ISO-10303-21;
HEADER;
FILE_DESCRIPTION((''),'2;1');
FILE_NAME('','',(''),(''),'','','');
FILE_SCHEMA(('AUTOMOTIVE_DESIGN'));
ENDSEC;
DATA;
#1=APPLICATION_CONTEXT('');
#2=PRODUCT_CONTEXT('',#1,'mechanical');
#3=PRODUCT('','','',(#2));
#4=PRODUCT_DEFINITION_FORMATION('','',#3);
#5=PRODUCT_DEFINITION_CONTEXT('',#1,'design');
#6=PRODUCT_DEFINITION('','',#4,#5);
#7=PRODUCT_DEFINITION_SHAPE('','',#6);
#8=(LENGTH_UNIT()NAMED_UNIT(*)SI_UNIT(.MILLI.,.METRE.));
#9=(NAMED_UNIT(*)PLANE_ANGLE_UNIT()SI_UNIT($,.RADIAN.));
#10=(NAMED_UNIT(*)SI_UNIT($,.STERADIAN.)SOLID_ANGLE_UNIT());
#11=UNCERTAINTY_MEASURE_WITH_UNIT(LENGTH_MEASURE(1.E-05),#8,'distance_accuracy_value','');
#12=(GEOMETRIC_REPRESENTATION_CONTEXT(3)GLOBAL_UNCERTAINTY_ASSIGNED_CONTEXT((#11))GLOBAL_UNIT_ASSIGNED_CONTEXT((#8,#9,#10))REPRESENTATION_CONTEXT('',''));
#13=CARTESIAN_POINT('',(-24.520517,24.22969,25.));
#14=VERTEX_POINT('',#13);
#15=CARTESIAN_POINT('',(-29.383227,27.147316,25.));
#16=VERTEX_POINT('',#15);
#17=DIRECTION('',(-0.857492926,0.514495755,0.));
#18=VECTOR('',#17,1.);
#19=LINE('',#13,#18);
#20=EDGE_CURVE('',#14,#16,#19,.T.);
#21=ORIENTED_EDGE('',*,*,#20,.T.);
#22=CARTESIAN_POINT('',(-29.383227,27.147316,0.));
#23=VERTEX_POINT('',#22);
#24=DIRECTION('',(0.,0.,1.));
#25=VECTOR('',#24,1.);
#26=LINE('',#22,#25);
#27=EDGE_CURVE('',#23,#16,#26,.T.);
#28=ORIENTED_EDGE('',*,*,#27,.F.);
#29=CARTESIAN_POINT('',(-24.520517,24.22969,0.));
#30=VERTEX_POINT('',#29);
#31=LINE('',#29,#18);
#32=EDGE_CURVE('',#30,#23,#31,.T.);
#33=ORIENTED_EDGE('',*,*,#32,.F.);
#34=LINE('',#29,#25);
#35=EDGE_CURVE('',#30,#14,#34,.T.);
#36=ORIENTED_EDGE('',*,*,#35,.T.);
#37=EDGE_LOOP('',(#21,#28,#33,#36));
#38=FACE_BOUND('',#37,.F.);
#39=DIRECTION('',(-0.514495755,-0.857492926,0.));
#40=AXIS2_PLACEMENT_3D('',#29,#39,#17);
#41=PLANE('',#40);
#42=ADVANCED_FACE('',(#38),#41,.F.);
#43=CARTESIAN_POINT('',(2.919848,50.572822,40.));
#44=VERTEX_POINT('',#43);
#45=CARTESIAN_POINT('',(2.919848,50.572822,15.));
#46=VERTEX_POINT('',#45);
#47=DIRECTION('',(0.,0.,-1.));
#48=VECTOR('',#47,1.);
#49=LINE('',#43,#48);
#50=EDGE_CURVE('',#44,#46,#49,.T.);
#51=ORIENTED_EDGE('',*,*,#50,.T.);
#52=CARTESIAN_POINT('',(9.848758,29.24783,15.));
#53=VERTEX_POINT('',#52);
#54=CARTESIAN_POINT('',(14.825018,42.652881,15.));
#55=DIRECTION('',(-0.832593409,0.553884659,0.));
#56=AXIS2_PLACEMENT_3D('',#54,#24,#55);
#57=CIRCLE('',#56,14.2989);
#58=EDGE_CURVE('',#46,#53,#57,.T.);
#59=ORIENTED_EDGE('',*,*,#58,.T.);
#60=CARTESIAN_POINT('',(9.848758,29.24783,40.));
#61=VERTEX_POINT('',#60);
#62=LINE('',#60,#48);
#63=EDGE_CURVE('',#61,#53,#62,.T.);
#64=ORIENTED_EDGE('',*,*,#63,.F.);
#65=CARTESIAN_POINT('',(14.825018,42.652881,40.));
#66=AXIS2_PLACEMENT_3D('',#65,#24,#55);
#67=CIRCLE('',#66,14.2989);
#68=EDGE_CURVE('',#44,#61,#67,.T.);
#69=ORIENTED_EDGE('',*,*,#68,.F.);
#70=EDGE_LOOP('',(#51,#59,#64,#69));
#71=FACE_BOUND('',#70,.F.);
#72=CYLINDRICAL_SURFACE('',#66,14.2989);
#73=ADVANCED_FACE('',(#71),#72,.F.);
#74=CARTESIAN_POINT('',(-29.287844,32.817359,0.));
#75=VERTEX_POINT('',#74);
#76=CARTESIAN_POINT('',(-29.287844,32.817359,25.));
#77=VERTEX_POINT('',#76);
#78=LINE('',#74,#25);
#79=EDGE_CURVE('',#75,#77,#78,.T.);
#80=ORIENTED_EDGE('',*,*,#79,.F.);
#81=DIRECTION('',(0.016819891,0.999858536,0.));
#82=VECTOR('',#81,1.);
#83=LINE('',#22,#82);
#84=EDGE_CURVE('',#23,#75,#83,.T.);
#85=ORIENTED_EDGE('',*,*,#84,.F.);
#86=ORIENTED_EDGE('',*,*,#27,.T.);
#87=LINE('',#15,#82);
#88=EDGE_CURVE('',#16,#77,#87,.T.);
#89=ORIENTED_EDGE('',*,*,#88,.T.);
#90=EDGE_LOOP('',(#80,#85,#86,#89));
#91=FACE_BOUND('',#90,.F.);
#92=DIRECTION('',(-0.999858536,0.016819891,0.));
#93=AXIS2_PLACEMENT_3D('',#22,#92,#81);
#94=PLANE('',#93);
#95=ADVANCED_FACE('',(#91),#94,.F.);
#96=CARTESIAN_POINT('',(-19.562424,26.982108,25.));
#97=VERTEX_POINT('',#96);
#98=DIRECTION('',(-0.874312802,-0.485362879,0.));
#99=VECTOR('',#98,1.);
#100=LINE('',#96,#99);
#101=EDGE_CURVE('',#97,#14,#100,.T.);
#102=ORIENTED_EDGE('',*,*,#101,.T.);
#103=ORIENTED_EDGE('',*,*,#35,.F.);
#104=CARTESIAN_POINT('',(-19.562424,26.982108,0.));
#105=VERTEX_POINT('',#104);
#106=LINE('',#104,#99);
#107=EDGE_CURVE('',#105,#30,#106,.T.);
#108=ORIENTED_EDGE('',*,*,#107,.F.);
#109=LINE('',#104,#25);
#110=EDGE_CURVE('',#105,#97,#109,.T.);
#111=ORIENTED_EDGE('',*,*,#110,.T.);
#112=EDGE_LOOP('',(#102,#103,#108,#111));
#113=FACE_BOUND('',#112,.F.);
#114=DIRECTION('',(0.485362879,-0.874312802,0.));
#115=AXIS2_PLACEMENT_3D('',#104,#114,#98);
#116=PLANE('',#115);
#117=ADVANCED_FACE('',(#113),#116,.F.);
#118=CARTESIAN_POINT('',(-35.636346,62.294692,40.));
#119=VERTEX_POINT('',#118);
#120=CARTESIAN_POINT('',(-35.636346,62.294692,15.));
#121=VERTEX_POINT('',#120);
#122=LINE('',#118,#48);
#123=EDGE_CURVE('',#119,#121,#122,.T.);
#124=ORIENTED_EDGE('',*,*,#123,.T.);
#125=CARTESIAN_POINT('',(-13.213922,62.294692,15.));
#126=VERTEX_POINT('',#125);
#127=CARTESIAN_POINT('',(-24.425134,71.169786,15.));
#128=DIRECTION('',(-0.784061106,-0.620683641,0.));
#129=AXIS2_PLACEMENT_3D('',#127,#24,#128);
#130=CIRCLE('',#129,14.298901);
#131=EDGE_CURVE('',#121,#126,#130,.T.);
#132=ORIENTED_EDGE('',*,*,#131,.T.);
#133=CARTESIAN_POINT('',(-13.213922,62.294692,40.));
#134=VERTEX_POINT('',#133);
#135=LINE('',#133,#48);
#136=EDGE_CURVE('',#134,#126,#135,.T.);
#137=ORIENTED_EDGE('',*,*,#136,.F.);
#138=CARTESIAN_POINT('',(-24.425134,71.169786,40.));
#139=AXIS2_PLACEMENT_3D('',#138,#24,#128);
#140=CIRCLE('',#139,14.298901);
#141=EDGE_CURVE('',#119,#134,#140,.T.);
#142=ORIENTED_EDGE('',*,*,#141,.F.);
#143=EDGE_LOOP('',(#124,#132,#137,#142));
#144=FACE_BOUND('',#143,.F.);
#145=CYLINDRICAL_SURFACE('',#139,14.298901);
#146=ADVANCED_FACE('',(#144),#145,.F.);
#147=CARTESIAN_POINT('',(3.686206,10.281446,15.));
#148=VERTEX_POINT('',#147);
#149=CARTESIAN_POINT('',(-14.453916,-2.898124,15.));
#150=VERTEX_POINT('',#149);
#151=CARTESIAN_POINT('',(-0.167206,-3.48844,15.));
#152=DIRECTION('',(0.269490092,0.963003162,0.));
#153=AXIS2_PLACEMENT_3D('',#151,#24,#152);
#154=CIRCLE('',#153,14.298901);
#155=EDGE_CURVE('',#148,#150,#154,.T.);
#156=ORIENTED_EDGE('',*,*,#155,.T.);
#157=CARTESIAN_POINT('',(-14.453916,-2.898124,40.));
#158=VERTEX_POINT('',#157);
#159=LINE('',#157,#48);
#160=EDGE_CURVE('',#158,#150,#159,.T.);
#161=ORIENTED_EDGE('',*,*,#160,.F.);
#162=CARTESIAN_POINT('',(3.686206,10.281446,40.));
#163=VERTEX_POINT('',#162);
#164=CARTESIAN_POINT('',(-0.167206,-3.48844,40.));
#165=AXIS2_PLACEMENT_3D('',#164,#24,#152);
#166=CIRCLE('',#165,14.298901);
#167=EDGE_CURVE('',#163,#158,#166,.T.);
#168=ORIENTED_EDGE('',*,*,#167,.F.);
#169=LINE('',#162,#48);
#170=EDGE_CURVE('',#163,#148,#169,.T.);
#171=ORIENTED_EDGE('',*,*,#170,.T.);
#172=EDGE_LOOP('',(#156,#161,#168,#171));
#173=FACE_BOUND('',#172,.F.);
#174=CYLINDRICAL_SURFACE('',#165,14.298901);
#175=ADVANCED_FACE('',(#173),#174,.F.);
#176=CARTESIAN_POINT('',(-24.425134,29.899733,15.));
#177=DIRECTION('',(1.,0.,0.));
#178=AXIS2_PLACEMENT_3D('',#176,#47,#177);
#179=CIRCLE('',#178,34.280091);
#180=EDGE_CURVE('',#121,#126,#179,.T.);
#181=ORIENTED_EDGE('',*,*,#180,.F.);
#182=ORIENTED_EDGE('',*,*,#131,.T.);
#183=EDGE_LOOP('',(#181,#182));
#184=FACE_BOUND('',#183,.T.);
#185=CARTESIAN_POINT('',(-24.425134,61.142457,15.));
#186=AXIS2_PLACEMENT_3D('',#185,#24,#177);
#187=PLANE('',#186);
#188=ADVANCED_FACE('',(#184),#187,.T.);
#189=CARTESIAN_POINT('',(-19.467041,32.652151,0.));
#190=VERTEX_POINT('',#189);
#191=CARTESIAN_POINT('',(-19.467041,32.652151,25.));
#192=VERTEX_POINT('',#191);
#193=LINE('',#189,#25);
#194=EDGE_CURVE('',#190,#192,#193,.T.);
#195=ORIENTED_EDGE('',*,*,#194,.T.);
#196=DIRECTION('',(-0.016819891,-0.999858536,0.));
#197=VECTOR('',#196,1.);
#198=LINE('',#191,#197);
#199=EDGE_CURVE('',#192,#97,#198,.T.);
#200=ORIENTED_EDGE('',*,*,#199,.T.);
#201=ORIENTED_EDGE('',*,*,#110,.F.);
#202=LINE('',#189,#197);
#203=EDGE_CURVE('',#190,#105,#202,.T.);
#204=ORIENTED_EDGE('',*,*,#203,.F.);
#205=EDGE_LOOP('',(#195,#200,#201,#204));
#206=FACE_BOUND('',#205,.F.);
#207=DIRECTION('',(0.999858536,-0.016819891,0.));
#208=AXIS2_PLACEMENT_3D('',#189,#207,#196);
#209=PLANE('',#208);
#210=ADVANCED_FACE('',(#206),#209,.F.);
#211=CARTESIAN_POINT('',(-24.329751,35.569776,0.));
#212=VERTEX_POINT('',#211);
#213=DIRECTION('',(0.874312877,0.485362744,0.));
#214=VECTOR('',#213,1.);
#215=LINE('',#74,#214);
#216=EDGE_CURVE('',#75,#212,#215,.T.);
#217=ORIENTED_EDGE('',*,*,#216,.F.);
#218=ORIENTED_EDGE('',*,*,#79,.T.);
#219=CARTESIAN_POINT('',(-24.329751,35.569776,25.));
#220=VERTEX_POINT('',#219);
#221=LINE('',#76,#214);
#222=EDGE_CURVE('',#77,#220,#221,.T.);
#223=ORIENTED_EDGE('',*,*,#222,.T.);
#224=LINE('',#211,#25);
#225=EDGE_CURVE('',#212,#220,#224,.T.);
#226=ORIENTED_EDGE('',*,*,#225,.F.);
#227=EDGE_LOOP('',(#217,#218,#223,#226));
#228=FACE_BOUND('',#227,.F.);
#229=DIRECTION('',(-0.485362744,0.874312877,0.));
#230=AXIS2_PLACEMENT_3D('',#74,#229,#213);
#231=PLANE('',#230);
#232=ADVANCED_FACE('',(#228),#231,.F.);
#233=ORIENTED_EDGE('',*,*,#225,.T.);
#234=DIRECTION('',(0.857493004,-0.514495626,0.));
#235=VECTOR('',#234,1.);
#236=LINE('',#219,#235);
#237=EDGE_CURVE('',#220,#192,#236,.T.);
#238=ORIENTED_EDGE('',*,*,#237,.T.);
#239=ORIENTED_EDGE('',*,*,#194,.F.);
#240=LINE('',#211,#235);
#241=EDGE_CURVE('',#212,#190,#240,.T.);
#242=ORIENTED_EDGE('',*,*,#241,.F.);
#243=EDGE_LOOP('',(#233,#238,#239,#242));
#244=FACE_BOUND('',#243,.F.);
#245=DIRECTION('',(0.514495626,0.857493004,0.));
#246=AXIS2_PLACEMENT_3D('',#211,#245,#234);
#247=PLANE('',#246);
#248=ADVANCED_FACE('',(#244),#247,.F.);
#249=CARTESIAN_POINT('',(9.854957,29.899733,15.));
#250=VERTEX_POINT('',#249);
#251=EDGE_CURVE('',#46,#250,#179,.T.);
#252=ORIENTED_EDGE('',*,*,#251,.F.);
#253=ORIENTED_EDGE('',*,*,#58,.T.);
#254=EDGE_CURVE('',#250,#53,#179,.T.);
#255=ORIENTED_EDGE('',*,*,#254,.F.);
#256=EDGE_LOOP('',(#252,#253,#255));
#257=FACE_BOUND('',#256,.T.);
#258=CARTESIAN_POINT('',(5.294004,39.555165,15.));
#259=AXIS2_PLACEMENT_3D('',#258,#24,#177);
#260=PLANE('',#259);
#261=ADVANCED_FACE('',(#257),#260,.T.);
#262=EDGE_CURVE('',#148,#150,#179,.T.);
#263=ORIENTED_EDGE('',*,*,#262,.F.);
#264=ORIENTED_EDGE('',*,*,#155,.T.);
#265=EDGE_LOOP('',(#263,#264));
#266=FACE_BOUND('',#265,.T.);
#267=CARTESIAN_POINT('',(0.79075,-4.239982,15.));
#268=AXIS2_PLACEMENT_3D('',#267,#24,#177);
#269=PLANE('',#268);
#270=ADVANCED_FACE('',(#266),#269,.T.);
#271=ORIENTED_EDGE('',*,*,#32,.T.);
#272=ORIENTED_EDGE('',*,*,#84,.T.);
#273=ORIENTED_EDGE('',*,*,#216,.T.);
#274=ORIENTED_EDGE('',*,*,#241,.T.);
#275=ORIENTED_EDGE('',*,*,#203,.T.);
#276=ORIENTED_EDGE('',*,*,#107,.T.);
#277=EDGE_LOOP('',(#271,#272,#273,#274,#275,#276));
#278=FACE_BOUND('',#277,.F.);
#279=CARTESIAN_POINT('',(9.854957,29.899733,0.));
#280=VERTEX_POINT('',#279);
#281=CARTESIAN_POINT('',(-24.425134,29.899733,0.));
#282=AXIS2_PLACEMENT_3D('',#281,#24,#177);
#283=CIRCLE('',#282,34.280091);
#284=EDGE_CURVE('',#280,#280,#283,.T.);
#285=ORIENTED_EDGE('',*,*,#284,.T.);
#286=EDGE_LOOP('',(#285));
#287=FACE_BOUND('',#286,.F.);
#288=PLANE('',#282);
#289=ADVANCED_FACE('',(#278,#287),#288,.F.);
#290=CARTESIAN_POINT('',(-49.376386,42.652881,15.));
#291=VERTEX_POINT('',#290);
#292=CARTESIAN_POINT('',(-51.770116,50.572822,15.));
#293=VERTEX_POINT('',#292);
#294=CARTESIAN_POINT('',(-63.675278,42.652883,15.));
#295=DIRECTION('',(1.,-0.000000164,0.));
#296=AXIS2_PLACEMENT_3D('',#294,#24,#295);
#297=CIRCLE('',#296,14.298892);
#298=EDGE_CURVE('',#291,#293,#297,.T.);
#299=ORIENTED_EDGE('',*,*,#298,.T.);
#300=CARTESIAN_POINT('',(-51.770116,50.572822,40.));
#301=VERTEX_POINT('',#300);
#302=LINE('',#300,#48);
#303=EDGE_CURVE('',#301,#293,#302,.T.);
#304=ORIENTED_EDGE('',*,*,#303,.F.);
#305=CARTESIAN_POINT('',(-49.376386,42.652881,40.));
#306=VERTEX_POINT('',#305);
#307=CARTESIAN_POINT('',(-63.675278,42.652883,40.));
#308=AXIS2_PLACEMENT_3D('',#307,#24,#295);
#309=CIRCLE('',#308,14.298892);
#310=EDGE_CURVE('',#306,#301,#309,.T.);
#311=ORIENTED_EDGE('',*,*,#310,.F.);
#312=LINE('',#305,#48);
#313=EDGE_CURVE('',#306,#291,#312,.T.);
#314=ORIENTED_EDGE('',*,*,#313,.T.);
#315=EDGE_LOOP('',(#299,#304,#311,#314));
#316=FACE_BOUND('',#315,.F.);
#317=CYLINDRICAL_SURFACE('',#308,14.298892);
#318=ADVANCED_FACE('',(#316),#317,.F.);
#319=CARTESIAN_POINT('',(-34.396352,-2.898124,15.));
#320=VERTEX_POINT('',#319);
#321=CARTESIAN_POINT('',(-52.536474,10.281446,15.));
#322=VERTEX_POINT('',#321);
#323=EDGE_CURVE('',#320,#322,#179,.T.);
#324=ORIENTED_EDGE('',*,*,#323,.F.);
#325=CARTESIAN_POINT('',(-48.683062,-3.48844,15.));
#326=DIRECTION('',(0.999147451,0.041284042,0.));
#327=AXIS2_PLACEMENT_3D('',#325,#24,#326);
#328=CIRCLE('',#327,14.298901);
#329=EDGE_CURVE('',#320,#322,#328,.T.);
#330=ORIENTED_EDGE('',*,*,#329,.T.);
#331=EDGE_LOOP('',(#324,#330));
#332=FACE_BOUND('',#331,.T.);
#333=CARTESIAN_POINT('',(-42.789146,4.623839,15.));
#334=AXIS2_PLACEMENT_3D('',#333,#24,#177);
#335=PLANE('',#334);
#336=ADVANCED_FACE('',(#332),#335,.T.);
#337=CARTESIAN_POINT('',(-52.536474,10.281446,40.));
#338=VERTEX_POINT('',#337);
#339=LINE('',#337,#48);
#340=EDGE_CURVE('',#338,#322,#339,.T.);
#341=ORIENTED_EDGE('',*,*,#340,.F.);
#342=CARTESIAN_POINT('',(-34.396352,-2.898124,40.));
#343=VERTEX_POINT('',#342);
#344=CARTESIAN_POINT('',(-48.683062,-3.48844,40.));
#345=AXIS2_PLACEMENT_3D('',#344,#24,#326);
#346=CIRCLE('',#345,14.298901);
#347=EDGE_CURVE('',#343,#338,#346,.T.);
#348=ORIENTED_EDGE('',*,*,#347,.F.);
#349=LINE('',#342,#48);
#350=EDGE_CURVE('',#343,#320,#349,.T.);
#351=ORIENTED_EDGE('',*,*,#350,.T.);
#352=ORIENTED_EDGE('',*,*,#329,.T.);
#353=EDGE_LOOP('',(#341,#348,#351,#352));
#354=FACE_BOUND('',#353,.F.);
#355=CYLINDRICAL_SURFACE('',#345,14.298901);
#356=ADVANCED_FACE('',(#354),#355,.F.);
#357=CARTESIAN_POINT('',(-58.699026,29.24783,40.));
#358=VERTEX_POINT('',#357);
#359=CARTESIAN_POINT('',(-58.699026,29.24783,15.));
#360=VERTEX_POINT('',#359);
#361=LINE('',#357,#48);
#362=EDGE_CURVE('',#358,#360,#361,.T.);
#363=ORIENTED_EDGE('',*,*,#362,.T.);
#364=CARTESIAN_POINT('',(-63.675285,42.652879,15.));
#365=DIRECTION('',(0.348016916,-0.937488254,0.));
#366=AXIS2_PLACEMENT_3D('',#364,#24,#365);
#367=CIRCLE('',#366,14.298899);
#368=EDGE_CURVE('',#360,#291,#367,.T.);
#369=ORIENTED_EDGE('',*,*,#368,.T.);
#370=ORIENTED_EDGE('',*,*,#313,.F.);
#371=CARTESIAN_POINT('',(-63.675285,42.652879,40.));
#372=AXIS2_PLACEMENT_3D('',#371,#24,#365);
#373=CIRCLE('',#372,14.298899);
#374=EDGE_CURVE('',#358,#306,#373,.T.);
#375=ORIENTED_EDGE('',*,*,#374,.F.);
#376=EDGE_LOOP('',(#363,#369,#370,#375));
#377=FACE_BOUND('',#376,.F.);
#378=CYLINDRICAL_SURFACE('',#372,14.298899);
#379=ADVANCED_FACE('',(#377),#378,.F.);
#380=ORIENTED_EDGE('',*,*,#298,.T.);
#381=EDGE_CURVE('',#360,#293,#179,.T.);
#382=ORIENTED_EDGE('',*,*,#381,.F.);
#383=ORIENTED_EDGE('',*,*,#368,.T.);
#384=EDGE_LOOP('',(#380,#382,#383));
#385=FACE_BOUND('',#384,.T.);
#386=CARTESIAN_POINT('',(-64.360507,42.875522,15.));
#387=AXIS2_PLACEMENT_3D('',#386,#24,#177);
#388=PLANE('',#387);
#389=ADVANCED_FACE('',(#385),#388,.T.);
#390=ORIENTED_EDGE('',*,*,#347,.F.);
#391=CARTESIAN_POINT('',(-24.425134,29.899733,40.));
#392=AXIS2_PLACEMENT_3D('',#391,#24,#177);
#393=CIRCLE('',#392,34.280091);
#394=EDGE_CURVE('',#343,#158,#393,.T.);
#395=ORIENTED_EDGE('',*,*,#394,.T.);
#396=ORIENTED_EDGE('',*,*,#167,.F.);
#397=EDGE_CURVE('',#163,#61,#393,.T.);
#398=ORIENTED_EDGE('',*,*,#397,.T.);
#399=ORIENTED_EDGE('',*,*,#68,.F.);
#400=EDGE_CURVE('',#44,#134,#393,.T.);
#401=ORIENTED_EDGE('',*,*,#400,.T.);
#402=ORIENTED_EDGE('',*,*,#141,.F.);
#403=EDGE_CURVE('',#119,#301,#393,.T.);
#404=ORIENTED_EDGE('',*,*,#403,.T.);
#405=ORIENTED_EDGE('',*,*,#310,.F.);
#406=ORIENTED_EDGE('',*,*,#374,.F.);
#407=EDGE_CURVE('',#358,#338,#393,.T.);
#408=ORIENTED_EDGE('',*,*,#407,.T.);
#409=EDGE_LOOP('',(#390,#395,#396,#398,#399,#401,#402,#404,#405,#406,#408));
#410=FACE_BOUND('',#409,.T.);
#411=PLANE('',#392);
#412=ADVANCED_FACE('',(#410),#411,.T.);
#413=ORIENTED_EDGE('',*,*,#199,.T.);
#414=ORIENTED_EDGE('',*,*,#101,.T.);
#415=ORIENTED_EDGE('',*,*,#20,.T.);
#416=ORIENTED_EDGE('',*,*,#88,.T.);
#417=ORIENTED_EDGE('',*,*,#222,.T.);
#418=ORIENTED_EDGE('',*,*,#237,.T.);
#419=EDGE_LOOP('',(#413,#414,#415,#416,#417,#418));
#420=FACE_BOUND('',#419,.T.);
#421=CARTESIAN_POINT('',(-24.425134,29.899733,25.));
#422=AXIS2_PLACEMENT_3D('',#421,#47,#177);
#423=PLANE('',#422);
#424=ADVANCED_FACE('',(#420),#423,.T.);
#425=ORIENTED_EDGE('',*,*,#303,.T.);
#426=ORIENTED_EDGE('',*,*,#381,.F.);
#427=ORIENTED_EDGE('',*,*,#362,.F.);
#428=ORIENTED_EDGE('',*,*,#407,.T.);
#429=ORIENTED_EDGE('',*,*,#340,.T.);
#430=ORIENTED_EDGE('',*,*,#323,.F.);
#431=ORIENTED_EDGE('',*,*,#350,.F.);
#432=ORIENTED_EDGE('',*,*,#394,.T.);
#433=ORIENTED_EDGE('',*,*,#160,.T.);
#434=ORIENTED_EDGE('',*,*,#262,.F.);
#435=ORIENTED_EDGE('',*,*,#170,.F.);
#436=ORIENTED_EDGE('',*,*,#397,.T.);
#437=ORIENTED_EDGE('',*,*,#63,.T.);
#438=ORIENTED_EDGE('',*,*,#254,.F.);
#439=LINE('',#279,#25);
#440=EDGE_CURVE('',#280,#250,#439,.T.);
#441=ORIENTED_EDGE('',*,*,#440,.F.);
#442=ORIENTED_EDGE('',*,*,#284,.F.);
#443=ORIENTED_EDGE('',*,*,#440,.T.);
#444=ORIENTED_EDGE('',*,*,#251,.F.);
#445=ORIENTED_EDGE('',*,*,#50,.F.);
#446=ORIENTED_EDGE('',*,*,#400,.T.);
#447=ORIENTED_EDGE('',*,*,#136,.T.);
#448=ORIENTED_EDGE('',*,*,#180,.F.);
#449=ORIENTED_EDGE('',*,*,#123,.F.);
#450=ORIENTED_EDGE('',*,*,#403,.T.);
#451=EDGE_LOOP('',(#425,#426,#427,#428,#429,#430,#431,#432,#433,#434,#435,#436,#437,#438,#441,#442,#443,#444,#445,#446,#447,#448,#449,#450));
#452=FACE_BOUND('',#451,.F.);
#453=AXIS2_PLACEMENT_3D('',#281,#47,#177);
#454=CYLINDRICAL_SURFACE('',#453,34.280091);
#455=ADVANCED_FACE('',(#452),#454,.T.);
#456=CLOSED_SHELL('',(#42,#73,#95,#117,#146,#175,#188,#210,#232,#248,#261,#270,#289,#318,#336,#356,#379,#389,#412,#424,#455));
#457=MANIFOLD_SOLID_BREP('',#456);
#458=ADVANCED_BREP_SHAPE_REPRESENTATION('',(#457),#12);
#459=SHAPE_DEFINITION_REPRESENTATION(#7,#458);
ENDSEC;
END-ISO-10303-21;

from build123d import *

# Parameters (mm, degrees)
F0_R     = 34.280091
F1_DEPTH = 40
F3_DEPTH = 25
F5_DEPTH = 25


with BuildPart() as f1:
    # F0 (on Top) → F1 (new body)
    with BuildSketch(Plane.XY):
        with Locations((-24.425134, 29.899733)):
            Circle(F0_R)
    extrude(amount=F1_DEPTH)

    # F2 (on face) → F3 (cut)
    with BuildSketch(Plane.XY.offset(40)):
        with BuildLine():
            ThreePointArc((-13.213922, 62.294692), (-24.425134, 64.179824), (-35.636346, 62.294692))
            ThreePointArc((-35.636346, 62.294692), (-24.425134, 56.870885), (-13.213922, 62.294692))
        make_face()
        with BuildLine():
            ThreePointArc((-13.213922, 62.294692), (-10.920198, 66.471352), (-10.126233, 71.169786))
            ThreePointArc((-10.126233, 71.169786), (-29.123568, 84.674722), (-35.636346, 62.294692))
            ThreePointArc((-35.636346, 62.294692), (-24.425134, 64.179824), (-13.213922, 62.294692))
        make_face()
        with BuildLine():
            ThreePointArc((9.854957, 29.899733), (8.074967, 40.802397), (2.919848, 50.572822))
            ThreePointArc((2.919848, 50.572822), (1.225956, 38.234277), (9.848758, 29.24783))
            ThreePointArc((9.848758, 29.24783), (9.853407, 29.573767), (9.854957, 29.899733))
        make_face()
        with BuildLine():
            ThreePointArc((29.12392, 42.652881), (18.961908, 56.340274), (2.919848, 50.572822))
            ThreePointArc((2.919848, 50.572822), (8.074967, 40.802397), (9.854957, 29.899733))
            ThreePointArc((9.854957, 29.899733), (9.853407, 29.573767), (9.848758, 29.24783))
            ThreePointArc((9.848758, 29.24783), (22.989071, 30.913766), (29.12392, 42.652881))
        make_face()
        with BuildLine():
            ThreePointArc((14.131696, -3.488441), (11.224856, 5.15329), (3.686206, 10.281446))
            ThreePointArc((3.686206, 10.281446), (-4.275802, 2.166557), (-14.453916, -2.898124))
            ThreePointArc((-14.453916, -2.898124), (-0.462427, -17.784294), (14.131696, -3.488441))
        make_face()
        with BuildLine():
            ThreePointArc((-14.453916, -2.898124), (-4.275802, 2.166557), (3.686206, 10.281446))
            ThreePointArc((3.686206, 10.281446), (-8.571889, 8.079613), (-14.453916, -2.898124))
        make_face()
        with BuildLine():
            ThreePointArc((-34.396352, -2.898124), (-40.278379, 8.079613), (-52.536474, 10.281446))
            ThreePointArc((-52.536474, 10.281446), (-44.574466, 2.166557), (-34.396352, -2.898124))
        make_face()
        with BuildLine():
            ThreePointArc((-34.396352, -2.898124), (-44.574466, 2.166557), (-52.536474, 10.281446))
            ThreePointArc((-52.536474, 10.281446), (-57.324793, -14.880502), (-34.384161, -3.488441))
            ThreePointArc((-34.384161, -3.488441), (-34.387209, -3.19322), (-34.396352, -2.898124))
        make_face()
        with BuildLine():
            ThreePointArc((-58.699026, 29.24783), (-57.027438, 40.492864), (-51.770116, 50.572822))
            ThreePointArc((-51.770116, 50.572822), (-77.27435, 47.071485), (-58.699026, 29.24783))
        make_face()
        with BuildLine():
            ThreePointArc((-49.376386, 42.652881), (-49.987894, 46.78977), (-51.770116, 50.572822))
            ThreePointArc((-51.770116, 50.572822), (-57.027438, 40.492864), (-58.699026, 29.24783))
            ThreePointArc((-58.699026, 29.24783), (-51.936172, 34.488828), (-49.376386, 42.652881))
        make_face()
    extrude(amount=-F3_DEPTH, mode=Mode.SUBTRACT)

    # F4 (on face) → F5 (cut)
    with BuildSketch(Plane(origin=(0, 0, 0), x_dir=(1, 0, 0), z_dir=(0, 0, -1))):
        Polygon((-24.329751, -35.569776), (-19.467041, -32.652151), (-19.562424, -26.982108), (-24.520517, -24.22969), (-29.383227, -27.147316), (-29.287844, -32.817359), align=None)
    extrude(amount=-F5_DEPTH, mode=Mode.SUBTRACT)


solid = f1.part
